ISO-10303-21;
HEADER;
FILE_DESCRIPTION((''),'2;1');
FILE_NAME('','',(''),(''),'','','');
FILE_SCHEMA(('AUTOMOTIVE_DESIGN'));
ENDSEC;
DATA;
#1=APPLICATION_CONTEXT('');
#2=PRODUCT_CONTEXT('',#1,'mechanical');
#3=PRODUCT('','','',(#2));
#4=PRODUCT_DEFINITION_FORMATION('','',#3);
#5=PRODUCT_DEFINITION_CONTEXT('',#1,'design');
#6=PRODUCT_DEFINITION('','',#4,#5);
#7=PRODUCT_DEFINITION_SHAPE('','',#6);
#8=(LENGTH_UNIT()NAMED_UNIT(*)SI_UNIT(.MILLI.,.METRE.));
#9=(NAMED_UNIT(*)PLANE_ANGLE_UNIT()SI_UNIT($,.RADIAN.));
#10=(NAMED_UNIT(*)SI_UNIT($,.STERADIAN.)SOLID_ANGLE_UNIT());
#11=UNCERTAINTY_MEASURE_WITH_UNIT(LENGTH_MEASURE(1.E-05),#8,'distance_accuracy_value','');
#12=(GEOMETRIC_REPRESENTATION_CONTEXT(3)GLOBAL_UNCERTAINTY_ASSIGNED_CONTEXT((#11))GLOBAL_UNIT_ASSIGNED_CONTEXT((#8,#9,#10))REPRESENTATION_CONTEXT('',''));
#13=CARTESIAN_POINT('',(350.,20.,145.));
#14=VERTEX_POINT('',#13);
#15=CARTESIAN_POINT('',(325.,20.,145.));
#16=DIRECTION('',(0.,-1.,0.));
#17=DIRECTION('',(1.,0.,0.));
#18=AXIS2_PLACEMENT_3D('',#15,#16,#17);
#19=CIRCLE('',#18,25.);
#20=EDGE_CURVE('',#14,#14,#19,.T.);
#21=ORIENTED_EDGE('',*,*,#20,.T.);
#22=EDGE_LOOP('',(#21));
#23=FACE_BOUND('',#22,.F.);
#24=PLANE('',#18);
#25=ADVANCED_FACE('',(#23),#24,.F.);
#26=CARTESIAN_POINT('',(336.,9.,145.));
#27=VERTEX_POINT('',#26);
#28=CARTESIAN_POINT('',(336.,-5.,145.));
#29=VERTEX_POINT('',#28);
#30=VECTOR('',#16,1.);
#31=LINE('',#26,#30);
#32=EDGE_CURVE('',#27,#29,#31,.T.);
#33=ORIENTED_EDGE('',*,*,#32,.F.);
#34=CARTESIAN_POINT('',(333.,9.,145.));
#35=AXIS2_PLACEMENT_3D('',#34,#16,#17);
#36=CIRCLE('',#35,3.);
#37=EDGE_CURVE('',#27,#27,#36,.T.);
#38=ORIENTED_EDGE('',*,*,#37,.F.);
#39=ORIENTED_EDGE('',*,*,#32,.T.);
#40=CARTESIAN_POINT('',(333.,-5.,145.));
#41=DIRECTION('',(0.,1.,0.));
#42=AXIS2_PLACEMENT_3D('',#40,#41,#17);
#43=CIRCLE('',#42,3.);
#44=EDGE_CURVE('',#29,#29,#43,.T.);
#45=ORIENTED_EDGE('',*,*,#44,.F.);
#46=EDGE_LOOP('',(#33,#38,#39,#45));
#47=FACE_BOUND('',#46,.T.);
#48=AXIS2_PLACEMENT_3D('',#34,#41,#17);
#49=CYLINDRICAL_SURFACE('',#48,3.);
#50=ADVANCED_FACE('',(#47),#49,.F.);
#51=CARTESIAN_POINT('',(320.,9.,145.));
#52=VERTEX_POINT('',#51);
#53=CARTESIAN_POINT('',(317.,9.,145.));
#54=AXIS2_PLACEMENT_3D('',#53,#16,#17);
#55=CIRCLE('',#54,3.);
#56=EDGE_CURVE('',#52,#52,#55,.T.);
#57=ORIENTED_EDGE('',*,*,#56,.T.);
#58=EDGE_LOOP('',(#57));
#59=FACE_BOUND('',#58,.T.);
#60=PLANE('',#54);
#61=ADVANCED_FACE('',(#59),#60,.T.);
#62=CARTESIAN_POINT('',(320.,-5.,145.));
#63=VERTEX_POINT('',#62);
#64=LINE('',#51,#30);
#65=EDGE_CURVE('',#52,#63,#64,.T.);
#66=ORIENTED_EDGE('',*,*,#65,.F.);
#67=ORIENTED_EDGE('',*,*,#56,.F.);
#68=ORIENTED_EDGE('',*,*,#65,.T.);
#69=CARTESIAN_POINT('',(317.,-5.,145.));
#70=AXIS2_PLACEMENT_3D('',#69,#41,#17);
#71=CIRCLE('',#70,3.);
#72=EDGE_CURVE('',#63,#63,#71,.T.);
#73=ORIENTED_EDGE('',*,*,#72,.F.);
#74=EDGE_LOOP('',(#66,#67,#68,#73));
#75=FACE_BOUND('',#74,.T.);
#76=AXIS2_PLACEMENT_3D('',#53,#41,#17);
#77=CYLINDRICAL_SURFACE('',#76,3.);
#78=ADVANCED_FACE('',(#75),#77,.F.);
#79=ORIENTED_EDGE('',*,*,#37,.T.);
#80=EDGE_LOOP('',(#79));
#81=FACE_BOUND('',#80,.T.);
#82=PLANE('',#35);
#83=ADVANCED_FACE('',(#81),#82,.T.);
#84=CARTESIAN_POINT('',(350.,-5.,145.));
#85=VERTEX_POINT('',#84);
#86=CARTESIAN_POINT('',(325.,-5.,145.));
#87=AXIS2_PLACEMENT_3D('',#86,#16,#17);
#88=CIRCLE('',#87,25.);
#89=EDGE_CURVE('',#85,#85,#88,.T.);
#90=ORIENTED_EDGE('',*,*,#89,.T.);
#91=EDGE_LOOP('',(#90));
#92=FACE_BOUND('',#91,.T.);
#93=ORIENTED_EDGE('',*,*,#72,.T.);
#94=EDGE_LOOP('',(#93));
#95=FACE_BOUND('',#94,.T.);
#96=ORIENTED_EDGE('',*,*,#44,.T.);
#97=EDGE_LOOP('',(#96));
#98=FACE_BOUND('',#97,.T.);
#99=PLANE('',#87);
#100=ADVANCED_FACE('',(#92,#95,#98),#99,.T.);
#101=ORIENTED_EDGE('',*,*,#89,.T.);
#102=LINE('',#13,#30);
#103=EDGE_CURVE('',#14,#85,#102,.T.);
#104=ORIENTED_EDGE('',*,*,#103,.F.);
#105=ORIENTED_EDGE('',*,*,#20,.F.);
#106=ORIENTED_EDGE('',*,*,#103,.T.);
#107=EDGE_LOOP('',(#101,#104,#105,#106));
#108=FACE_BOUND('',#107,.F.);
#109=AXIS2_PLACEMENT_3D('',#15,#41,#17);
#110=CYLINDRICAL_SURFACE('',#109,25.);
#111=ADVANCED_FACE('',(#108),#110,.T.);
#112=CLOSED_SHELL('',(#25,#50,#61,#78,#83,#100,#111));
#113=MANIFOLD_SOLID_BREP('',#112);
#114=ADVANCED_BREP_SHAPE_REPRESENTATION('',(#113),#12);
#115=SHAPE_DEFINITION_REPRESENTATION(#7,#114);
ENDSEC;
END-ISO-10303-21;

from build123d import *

# Parameters (mm, degrees)
CYLINDER011_R          = 3
CYLINDER011_DEPTH      = 15
CYLINDER011_ROLL_ANGLE = 90
CYLINDER010_R          = 3
CYLINDER010_DEPTH      = 15
CYLINDER010_ROLL_ANGLE = 90
CYLINDER009_R          = 25
CYLINDER009_DEPTH      = 25
CYLINDER009_ROLL_ANGLE = 90


with BuildPart() as cylinder011:
    # Cylinder011 → Cylinder011 (new body)
    with BuildSketch(Plane.XY):
        Circle(CYLINDER011_R)
    extrude(amount=CYLINDER011_DEPTH)


with BuildPart() as cylinder011_1:
    # Cylinder011 roll: moved
    add(cylinder011.part.rotate(Axis((0, 0, 0), (1, 0, 0)), CYLINDER011_ROLL_ANGLE))


with BuildPart() as cylinder011_2:
    # Cylinder011 placement: moved
    add(cylinder011_1.part.moved(Location((258, 9, 130))))


with BuildPart() as cylinder010:
    # Cylinder010 → Cylinder010 (new body)
    with BuildSketch(Plane.XY):
        Circle(CYLINDER010_R)
    extrude(amount=CYLINDER010_DEPTH)


with BuildPart() as cylinder010_1:
    # Cylinder010 roll: moved
    add(cylinder010.part.rotate(Axis((0, 0, 0), (1, 0, 0)), CYLINDER010_ROLL_ANGLE))


with BuildPart() as cylinder010_2:
    # Cylinder010 placement: moved
    add(cylinder010_1.part.moved(Location((242, 9, 130))))


with BuildPart() as cut005:
    # Cylinder009 → Cylinder009 (new body)
    with BuildSketch(Plane.XY):
        Circle(CYLINDER009_R)
    extrude(amount=CYLINDER009_DEPTH)


with BuildPart() as cut005_1:
    # Cylinder009 roll: moved
    add(cut005.part.rotate(Axis((0, 0, 0), (1, 0, 0)), CYLINDER009_ROLL_ANGLE))


with BuildPart() as cut005_2:
    # Cylinder009 placement: moved
    add(cut005_1.part.moved(Location((250, 20, 130))))

    # Cut004: cut Cylinder010
    add(cylinder010_2.part, mode=Mode.SUBTRACT)

    # Cut005: cut Cylinder011
    add(cylinder011_2.part, mode=Mode.SUBTRACT)


with BuildPart() as cut005_3:
    # Cut005 placement: moved
    add(cut005_2.part.moved(Location((75, 0, 15))))


solid = cut005_3.part
